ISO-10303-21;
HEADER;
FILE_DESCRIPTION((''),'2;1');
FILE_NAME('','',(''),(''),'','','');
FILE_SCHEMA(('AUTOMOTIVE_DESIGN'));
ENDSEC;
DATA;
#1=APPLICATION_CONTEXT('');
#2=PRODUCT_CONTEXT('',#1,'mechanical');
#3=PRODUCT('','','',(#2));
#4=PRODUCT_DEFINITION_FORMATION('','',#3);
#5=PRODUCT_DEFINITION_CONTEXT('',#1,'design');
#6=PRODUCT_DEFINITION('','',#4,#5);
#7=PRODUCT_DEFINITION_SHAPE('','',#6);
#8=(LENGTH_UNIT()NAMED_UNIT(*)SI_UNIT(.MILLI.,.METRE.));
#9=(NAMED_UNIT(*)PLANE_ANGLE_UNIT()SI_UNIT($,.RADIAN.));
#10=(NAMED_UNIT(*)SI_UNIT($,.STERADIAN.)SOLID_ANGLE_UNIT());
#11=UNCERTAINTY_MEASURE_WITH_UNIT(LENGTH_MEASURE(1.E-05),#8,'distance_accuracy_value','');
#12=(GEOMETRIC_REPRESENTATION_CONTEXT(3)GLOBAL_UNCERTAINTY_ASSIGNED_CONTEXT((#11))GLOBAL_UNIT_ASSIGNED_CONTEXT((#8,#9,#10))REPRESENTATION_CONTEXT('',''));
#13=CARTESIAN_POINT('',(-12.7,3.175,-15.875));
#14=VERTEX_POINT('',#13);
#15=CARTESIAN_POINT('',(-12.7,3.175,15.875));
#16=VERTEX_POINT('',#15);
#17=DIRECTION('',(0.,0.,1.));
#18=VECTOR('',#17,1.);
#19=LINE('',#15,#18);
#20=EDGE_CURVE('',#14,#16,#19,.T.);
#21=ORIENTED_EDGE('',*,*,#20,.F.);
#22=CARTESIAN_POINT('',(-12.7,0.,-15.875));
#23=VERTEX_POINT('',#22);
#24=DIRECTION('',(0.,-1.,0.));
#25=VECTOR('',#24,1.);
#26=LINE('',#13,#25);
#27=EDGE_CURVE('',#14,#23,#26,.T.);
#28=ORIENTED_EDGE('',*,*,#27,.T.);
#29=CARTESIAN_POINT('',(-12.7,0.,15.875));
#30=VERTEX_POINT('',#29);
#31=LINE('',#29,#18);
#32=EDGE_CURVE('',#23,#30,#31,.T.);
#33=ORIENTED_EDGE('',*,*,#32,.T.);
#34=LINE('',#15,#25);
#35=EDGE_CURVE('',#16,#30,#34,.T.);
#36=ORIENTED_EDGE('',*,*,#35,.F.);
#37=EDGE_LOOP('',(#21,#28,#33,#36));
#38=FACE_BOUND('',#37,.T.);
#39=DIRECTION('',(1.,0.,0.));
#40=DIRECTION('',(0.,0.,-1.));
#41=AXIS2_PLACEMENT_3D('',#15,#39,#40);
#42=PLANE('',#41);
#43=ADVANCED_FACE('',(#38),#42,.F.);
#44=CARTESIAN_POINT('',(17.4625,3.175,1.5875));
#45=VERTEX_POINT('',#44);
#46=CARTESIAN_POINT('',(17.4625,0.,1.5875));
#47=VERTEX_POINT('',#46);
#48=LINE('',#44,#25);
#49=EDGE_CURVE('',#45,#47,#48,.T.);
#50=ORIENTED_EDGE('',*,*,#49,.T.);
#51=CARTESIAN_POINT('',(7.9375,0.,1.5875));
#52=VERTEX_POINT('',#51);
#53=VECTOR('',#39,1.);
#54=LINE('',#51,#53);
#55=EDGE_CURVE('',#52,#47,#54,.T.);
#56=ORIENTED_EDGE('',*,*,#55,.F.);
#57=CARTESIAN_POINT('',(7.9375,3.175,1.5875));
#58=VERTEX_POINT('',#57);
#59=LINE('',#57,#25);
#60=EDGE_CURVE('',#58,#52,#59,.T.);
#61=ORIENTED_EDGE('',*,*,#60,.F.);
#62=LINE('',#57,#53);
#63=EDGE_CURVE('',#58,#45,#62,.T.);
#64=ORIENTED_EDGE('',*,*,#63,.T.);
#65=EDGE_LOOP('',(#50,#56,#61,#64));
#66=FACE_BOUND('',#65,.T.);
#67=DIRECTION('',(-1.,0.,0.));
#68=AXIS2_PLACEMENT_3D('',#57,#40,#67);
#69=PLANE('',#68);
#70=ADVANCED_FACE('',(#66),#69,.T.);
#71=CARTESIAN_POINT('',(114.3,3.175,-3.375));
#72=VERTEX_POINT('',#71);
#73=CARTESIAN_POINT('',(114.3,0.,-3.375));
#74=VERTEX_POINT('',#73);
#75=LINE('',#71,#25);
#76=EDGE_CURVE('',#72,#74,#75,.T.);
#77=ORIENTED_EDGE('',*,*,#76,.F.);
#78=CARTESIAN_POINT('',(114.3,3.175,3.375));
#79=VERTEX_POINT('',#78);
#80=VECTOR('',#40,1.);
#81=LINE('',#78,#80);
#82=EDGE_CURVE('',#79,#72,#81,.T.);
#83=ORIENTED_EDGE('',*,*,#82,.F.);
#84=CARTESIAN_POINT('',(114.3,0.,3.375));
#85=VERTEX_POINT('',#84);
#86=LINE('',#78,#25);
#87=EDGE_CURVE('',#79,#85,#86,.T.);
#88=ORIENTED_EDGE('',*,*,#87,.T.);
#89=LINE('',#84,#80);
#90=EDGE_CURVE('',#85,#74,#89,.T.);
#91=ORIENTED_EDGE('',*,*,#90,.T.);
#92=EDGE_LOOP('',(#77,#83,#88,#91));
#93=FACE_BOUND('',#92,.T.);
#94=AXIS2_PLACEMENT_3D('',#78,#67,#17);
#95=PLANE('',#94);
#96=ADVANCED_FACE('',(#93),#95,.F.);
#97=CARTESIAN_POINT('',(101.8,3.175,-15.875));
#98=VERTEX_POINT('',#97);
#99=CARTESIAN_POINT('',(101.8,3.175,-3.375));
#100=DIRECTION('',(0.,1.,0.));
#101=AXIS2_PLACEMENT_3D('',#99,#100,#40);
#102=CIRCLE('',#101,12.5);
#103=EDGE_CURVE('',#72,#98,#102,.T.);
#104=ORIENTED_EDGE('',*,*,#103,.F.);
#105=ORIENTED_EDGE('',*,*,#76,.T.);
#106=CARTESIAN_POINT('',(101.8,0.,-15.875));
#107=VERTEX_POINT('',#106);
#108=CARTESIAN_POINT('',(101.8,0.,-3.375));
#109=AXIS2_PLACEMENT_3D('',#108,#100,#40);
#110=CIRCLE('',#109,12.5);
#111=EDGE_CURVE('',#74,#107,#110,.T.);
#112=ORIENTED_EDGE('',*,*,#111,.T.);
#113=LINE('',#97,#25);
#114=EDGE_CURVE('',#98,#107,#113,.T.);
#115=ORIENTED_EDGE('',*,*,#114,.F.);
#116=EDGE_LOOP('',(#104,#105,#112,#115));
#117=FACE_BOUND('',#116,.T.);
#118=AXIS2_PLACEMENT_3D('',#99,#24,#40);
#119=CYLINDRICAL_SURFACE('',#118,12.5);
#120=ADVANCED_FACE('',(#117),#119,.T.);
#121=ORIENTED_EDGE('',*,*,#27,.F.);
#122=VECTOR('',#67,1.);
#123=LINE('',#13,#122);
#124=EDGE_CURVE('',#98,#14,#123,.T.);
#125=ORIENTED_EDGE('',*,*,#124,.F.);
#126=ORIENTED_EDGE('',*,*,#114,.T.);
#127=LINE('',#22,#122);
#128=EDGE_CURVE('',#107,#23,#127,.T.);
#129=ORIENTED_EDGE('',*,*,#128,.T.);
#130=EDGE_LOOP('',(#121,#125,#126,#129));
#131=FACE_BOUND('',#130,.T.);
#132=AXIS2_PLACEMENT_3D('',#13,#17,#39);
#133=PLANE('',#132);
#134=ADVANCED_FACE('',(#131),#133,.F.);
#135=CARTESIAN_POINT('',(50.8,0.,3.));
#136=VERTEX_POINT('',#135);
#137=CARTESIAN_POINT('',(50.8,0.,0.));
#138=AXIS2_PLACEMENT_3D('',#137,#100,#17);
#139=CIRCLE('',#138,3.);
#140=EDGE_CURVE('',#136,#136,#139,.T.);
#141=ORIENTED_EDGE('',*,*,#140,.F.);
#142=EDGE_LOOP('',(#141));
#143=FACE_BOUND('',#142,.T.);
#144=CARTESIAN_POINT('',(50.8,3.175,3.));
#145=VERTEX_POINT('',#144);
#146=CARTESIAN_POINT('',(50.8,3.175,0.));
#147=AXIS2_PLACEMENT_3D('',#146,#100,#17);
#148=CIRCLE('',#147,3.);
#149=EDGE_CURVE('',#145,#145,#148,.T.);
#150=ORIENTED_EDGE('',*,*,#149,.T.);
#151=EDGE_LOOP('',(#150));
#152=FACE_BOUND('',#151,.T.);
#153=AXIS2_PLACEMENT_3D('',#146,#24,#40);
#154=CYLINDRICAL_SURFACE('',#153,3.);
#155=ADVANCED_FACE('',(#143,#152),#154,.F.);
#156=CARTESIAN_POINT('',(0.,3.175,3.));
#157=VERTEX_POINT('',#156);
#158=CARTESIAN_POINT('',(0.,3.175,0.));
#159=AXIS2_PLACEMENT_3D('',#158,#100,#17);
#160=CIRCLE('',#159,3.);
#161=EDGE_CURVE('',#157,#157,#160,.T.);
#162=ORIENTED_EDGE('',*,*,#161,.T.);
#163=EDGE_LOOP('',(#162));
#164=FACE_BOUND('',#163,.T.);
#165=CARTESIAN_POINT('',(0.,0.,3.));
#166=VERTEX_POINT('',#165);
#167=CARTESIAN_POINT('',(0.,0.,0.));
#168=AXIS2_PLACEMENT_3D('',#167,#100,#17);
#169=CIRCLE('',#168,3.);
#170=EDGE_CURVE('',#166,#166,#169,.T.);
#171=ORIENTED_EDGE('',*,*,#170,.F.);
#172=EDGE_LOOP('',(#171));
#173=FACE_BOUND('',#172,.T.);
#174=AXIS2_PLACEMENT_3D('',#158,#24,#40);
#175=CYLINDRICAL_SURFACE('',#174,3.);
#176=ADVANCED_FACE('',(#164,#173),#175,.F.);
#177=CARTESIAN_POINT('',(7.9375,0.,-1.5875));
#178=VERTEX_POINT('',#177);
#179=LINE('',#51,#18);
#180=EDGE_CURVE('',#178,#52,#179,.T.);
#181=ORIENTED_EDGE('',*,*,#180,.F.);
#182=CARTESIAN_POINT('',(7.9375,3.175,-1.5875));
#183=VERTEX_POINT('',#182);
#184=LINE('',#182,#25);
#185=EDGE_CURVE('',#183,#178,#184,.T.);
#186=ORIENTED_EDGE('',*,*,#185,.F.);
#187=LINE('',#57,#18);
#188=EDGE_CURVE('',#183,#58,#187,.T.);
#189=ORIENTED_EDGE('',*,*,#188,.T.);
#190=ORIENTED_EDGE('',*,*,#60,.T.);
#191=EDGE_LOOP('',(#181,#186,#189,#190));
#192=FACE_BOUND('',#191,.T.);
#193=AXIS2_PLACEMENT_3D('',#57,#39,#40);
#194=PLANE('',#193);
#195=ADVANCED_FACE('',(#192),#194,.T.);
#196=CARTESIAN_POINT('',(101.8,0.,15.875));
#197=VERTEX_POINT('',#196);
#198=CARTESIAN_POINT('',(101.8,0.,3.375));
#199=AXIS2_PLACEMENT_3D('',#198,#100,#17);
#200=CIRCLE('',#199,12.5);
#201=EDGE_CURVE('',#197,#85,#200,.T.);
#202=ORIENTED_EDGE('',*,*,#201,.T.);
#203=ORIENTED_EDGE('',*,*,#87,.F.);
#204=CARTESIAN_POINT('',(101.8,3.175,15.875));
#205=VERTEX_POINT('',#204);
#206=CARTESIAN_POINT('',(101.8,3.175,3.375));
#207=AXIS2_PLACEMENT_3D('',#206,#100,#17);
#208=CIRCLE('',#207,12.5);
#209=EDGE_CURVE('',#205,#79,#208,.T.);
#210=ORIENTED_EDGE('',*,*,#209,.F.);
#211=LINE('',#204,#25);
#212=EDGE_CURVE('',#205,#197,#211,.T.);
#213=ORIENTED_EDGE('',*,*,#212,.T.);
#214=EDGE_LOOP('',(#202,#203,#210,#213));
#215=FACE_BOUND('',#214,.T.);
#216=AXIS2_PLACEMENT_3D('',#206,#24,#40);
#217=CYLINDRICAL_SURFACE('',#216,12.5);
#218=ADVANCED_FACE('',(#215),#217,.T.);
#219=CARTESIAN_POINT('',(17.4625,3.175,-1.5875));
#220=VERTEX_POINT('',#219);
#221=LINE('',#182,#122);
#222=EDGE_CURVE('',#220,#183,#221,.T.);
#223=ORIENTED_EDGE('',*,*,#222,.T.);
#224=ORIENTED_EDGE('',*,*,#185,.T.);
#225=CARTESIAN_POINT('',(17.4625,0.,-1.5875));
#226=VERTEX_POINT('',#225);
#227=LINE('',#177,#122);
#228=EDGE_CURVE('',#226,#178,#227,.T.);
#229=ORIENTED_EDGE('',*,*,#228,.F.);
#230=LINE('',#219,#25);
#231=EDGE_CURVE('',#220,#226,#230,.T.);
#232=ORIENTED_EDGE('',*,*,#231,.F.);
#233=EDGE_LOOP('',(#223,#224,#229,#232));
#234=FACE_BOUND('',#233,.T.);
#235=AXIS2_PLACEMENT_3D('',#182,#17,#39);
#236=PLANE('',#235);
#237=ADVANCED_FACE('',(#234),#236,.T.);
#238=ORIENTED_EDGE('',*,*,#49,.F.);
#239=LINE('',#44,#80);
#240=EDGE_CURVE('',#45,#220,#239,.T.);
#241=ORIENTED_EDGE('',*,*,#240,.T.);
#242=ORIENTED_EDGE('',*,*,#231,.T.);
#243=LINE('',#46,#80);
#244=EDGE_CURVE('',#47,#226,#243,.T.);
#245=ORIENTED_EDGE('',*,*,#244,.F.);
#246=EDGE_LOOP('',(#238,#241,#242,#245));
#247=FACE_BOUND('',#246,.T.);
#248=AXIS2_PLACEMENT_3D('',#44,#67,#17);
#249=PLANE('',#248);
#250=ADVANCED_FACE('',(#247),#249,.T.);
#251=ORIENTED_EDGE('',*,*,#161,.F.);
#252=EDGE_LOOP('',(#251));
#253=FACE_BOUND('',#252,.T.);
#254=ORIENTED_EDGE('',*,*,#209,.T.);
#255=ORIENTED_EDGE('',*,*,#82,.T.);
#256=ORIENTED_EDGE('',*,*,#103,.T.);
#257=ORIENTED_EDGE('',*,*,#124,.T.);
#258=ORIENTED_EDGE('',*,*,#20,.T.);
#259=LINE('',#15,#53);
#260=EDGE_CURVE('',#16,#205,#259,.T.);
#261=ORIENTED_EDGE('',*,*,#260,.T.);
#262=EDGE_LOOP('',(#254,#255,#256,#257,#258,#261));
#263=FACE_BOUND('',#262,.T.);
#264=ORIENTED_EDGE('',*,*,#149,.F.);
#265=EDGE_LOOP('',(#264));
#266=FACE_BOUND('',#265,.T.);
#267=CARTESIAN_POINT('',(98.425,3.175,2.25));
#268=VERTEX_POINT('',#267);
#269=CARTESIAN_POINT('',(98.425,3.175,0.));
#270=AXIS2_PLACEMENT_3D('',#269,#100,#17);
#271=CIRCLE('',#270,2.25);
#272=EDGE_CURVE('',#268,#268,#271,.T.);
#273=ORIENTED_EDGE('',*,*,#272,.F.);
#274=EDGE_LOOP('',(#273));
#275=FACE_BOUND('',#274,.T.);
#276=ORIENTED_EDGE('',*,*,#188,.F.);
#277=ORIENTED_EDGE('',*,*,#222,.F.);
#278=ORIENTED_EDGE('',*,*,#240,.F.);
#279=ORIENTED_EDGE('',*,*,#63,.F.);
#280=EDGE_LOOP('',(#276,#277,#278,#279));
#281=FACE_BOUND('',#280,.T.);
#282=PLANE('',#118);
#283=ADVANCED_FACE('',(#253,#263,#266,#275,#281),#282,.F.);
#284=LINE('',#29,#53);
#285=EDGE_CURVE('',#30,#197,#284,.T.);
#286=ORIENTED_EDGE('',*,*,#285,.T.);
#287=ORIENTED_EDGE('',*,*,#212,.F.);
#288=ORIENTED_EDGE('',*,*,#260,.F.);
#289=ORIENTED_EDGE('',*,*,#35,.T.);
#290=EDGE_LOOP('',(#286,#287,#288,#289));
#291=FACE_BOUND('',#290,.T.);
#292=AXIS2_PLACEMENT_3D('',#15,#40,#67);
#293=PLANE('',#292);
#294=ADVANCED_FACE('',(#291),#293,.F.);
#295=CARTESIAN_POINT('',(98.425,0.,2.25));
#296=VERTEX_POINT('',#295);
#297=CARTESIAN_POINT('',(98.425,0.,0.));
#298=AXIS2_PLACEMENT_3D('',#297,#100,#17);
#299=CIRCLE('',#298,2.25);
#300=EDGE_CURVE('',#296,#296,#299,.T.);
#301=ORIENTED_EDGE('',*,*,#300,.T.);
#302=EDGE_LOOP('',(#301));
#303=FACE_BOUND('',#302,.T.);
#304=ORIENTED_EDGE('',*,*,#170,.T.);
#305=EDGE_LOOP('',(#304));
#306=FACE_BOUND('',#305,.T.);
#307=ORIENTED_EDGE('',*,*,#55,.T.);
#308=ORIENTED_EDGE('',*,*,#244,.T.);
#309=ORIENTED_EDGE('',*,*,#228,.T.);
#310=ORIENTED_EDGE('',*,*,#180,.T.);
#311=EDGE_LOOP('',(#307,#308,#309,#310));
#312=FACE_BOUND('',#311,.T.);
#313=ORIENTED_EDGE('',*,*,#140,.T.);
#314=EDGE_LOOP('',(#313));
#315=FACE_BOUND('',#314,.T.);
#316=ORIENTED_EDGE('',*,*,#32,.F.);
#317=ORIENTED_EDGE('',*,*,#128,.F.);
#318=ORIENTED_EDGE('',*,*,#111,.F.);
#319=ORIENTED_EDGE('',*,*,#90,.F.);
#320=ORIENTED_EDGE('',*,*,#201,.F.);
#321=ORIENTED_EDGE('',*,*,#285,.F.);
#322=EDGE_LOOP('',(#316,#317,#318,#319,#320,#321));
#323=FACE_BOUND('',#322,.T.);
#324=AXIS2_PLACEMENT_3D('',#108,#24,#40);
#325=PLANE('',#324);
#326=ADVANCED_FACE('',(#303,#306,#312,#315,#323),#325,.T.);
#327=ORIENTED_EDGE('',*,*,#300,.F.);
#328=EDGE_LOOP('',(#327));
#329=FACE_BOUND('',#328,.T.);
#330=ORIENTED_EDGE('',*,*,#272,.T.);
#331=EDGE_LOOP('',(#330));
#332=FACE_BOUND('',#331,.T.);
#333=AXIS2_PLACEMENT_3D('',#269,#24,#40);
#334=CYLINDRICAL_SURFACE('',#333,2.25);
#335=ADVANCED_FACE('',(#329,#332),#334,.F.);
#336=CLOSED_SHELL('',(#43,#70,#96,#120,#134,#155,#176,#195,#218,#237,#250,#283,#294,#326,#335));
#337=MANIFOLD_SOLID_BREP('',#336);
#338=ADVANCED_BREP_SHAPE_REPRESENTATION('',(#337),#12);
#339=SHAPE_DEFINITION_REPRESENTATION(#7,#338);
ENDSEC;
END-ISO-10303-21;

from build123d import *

# Parameters (mm, degrees)
SKETCH1_R           = 3
SKETCH1_R_2         = 2.25
SKETCH1_W           = 9.525
SKETCH1_H           = 3.175
BOSS_EXTRUDE1_DEPTH = 3.175


with BuildPart() as part:
    # Sketch1 → Boss-Extrude1 (new body)
    with BuildSketch(Plane(origin=(0, 0, 0), x_dir=(1, 0, 0), z_dir=(0, 1, 0))):
        with BuildLine():
            Line((-12.7, -15.875), (101.8, -15.875))
            ThreePointArc((101.8, -15.875), (110.638834765, -12.213834765), (114.3, -3.375))
            Line((114.3, -3.375), (114.3, 3.375))
            ThreePointArc((114.3, 3.375), (110.638834765, 12.213834765), (101.8, 15.875))
            Line((101.8, 15.875), (-12.7, 15.875))
            Line((-12.7, 15.875), (-12.7, -15.875))
        make_face()
        Circle(SKETCH1_R, mode=Mode.SUBTRACT)
        with Locations((98.425, 0)):
            Circle(SKETCH1_R_2, mode=Mode.SUBTRACT)
        with Locations((50.8, 0)):
            Circle(SKETCH1_R, mode=Mode.SUBTRACT)
        with Locations((12.7, 0)):
            Rectangle(SKETCH1_W, SKETCH1_H, mode=Mode.SUBTRACT)
    extrude(amount=BOSS_EXTRUDE1_DEPTH)


solid = part.part
